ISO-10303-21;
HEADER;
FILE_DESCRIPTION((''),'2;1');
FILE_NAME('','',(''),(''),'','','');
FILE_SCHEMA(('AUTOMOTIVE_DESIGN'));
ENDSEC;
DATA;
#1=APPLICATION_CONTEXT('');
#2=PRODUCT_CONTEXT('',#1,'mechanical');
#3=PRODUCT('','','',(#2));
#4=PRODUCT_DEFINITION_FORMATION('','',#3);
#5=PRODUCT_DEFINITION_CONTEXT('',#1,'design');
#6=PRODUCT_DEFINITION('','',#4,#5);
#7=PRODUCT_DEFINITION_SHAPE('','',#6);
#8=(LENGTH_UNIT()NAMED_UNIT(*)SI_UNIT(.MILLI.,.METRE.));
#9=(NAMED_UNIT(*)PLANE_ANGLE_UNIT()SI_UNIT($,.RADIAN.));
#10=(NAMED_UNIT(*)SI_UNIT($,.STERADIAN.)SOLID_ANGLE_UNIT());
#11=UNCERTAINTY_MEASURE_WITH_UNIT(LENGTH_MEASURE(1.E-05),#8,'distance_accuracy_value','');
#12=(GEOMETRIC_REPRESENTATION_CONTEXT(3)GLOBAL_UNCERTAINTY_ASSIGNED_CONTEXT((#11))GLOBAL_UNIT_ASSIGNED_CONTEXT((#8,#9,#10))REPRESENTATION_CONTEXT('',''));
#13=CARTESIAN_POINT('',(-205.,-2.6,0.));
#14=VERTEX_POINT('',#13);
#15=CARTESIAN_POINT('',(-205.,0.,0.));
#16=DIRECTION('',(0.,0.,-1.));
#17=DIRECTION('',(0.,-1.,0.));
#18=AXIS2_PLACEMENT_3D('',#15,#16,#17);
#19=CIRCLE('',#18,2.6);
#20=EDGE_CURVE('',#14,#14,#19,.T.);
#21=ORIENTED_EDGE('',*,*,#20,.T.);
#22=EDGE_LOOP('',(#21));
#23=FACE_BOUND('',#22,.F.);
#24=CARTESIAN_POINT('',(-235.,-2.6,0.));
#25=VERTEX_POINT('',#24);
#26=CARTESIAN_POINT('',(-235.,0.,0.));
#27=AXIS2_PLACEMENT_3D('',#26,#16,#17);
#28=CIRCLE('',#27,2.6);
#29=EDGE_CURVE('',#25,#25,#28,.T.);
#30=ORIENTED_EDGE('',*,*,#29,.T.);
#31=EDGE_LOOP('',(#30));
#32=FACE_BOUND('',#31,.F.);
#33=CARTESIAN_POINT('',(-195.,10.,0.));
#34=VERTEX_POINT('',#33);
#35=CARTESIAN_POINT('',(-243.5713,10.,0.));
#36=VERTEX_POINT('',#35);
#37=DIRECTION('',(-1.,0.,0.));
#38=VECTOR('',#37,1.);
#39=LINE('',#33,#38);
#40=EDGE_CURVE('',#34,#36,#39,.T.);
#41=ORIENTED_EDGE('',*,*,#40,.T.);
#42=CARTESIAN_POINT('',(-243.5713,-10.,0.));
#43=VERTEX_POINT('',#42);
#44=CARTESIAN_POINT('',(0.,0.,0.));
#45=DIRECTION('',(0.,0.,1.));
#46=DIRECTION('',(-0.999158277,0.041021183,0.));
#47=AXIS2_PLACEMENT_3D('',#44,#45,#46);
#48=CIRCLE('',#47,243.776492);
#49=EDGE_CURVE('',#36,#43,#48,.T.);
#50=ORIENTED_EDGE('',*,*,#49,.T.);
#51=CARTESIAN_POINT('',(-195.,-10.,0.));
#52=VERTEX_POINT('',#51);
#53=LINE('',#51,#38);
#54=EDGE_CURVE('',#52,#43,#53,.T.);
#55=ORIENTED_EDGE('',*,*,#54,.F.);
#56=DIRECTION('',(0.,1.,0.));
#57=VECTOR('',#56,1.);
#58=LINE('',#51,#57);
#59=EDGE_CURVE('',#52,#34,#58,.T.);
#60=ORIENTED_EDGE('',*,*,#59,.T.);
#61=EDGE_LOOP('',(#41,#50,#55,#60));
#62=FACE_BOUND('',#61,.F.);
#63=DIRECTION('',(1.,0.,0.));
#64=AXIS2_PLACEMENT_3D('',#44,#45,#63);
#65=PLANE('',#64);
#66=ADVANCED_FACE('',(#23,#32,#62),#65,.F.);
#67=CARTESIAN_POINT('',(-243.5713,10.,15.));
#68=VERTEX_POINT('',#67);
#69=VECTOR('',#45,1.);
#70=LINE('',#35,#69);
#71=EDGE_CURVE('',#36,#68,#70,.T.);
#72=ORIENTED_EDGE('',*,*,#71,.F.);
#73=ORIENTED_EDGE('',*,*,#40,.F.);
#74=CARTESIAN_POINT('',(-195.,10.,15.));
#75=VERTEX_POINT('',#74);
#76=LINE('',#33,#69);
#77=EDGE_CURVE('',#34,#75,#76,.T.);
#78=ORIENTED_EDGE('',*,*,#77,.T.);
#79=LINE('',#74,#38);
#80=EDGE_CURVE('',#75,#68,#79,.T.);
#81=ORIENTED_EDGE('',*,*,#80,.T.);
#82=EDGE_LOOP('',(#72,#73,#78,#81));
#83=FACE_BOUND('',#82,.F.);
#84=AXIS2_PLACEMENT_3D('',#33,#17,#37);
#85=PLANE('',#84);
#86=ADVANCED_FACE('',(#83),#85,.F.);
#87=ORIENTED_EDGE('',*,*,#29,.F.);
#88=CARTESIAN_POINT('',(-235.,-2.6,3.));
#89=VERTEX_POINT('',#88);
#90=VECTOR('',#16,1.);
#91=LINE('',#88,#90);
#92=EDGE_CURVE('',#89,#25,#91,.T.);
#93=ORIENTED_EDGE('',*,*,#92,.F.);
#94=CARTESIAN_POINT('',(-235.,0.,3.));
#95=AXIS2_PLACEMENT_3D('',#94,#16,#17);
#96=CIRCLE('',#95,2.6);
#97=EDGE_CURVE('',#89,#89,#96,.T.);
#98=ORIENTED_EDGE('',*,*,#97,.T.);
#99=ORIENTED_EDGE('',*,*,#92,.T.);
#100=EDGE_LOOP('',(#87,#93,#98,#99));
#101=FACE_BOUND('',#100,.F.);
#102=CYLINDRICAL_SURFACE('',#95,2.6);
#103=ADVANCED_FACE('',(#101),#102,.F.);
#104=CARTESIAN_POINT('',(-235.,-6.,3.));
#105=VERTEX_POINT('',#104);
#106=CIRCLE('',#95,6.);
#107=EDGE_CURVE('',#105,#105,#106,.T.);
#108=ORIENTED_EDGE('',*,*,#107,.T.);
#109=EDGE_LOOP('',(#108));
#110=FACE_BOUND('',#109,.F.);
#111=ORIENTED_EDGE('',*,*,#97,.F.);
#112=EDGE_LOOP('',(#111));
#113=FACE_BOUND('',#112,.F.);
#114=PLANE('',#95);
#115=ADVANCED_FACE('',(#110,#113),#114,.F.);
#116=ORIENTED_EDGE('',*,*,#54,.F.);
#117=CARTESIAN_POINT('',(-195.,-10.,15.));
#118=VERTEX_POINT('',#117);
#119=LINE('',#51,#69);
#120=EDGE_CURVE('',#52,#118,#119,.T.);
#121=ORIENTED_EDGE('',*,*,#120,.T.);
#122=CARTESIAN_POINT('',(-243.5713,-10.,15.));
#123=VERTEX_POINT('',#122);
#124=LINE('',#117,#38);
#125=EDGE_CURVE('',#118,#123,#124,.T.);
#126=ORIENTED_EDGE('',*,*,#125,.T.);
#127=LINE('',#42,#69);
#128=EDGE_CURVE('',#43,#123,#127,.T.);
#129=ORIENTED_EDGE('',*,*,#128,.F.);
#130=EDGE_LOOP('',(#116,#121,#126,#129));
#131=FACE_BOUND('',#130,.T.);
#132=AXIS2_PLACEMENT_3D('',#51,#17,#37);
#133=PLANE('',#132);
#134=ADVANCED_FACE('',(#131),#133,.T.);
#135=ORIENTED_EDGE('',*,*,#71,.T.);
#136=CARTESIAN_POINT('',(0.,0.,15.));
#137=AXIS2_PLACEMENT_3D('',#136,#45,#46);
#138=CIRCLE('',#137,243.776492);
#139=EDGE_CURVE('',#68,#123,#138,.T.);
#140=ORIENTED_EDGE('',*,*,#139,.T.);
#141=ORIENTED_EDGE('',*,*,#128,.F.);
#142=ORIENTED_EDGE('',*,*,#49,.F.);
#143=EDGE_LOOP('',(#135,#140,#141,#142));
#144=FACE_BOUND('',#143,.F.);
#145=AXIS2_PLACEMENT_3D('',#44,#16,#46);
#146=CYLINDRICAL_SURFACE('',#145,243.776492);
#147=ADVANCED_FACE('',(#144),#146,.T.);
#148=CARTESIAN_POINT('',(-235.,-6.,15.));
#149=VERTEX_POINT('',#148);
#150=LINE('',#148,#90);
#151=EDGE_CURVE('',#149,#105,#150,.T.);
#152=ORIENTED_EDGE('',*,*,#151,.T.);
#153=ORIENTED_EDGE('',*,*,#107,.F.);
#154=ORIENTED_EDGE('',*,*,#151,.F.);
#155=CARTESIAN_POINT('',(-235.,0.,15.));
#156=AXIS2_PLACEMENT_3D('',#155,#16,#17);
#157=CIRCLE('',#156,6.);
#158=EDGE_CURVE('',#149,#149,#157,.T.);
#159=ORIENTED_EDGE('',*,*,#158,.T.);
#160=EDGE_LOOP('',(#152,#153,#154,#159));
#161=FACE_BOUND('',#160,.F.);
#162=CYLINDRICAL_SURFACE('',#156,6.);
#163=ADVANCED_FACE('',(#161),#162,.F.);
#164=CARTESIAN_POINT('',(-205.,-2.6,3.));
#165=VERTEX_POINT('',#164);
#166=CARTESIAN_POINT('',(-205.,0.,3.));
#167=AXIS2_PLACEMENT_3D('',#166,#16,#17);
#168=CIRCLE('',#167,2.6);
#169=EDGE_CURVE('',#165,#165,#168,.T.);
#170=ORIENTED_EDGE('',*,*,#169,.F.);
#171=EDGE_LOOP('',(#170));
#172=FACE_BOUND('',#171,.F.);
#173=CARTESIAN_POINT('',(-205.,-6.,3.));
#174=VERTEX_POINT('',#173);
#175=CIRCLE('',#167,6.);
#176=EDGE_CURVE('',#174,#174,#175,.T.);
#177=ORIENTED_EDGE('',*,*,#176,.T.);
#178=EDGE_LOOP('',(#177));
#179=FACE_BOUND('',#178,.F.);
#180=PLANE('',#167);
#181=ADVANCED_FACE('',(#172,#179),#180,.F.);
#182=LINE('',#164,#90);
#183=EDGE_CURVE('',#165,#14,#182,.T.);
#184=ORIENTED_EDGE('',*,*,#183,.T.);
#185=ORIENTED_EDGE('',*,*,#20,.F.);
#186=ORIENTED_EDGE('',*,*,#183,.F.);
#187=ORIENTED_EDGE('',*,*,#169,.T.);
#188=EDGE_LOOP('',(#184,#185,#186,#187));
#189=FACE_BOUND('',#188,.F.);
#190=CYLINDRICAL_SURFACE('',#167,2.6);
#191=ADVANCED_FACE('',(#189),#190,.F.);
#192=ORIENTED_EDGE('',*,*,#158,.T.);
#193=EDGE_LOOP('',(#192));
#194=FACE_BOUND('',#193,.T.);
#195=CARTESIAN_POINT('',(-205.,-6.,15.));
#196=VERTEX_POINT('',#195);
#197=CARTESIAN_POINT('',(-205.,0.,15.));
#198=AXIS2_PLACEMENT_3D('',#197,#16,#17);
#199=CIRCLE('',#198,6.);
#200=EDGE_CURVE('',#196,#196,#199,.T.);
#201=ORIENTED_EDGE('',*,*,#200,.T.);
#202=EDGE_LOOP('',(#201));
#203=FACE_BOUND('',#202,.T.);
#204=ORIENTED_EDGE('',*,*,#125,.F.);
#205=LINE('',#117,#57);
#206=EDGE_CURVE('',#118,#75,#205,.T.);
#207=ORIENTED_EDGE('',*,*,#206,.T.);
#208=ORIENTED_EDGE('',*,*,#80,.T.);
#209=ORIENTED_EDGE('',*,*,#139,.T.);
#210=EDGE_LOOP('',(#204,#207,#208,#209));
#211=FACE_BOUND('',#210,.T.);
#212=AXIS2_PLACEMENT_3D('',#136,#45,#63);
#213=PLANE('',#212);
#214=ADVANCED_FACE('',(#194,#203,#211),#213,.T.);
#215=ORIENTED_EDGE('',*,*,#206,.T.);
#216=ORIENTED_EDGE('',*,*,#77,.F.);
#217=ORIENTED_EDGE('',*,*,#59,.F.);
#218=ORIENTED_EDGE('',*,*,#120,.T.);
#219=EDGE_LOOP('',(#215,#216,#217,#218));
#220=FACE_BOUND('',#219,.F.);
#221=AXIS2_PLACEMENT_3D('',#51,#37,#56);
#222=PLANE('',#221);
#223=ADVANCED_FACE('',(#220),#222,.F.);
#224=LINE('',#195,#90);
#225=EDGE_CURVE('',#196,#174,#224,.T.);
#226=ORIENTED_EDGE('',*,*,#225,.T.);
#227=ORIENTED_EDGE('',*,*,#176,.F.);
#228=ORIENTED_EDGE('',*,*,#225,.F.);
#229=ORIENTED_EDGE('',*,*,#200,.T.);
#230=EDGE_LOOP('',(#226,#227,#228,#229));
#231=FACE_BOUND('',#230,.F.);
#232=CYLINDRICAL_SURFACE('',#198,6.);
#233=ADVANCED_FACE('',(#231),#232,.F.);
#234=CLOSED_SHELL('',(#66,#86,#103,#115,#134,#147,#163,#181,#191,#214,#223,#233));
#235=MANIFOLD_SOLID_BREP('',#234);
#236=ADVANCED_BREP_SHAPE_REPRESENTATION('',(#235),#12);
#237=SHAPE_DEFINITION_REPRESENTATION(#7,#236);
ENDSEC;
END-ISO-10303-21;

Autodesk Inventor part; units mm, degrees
ref_plane "YZ Plane" through (0, 0, 0) normal (1, 0, 0) x (0, 1, 0)
ref_plane "XZ Plane" through (0, 0, 0) normal (0, 1, 0) x (-1, 0, 0)
ref_plane "XY Plane" through (0, 0, 0) normal (0, 0, 1) x (1, 0, 0)
sketch "Sketch1" plane through (0, 0, 0) normal (0, 0, 1) x (1, 0, 0)
  arc A0 (-243.5713, 10) -> (-243.5713, -10) centre (0, 0) ccw
  line L0 (-195, -10) -> (-195, 10)
  line L1 (-195, 10) -> (-243.5713, 10)
  line L2 (-195, -10) -> (-195, -10)
  line L3 (-195, -10) -> (-243.5713, -10)
  dimension "d19" = 10
  dimension "d20" = 10
  dimension "d21" = 0
extrude "Extrusion1" add sketch "Sketch1" along normal blind 15
sketch "Sketch2" plane through (0, 0, 15) normal (0, 0, 1) x (1, 0, 0)
  circle A0 centre (-205, 0) radius 2.6
  line L0 (-195, -10) -> (-195, 10) projected
  circle A1 centre (-235, 0) radius 2.6
  point P0 (0, 0)
  dimension "d6" = 5.2
  dimension "d7" = 10
  dimension "d8" = 10
  dimension "d9" = 5.2
  dimension "d10" = 10
  dimension "d11" = 30
hole "Hole1" at (-235, 0, 15) at (-205, 0, 15) direction (0, 0, -1) diameter 5.2 end through all counterbore diameter 12 counterbore depth 12
properties part number "turntable_hit"
